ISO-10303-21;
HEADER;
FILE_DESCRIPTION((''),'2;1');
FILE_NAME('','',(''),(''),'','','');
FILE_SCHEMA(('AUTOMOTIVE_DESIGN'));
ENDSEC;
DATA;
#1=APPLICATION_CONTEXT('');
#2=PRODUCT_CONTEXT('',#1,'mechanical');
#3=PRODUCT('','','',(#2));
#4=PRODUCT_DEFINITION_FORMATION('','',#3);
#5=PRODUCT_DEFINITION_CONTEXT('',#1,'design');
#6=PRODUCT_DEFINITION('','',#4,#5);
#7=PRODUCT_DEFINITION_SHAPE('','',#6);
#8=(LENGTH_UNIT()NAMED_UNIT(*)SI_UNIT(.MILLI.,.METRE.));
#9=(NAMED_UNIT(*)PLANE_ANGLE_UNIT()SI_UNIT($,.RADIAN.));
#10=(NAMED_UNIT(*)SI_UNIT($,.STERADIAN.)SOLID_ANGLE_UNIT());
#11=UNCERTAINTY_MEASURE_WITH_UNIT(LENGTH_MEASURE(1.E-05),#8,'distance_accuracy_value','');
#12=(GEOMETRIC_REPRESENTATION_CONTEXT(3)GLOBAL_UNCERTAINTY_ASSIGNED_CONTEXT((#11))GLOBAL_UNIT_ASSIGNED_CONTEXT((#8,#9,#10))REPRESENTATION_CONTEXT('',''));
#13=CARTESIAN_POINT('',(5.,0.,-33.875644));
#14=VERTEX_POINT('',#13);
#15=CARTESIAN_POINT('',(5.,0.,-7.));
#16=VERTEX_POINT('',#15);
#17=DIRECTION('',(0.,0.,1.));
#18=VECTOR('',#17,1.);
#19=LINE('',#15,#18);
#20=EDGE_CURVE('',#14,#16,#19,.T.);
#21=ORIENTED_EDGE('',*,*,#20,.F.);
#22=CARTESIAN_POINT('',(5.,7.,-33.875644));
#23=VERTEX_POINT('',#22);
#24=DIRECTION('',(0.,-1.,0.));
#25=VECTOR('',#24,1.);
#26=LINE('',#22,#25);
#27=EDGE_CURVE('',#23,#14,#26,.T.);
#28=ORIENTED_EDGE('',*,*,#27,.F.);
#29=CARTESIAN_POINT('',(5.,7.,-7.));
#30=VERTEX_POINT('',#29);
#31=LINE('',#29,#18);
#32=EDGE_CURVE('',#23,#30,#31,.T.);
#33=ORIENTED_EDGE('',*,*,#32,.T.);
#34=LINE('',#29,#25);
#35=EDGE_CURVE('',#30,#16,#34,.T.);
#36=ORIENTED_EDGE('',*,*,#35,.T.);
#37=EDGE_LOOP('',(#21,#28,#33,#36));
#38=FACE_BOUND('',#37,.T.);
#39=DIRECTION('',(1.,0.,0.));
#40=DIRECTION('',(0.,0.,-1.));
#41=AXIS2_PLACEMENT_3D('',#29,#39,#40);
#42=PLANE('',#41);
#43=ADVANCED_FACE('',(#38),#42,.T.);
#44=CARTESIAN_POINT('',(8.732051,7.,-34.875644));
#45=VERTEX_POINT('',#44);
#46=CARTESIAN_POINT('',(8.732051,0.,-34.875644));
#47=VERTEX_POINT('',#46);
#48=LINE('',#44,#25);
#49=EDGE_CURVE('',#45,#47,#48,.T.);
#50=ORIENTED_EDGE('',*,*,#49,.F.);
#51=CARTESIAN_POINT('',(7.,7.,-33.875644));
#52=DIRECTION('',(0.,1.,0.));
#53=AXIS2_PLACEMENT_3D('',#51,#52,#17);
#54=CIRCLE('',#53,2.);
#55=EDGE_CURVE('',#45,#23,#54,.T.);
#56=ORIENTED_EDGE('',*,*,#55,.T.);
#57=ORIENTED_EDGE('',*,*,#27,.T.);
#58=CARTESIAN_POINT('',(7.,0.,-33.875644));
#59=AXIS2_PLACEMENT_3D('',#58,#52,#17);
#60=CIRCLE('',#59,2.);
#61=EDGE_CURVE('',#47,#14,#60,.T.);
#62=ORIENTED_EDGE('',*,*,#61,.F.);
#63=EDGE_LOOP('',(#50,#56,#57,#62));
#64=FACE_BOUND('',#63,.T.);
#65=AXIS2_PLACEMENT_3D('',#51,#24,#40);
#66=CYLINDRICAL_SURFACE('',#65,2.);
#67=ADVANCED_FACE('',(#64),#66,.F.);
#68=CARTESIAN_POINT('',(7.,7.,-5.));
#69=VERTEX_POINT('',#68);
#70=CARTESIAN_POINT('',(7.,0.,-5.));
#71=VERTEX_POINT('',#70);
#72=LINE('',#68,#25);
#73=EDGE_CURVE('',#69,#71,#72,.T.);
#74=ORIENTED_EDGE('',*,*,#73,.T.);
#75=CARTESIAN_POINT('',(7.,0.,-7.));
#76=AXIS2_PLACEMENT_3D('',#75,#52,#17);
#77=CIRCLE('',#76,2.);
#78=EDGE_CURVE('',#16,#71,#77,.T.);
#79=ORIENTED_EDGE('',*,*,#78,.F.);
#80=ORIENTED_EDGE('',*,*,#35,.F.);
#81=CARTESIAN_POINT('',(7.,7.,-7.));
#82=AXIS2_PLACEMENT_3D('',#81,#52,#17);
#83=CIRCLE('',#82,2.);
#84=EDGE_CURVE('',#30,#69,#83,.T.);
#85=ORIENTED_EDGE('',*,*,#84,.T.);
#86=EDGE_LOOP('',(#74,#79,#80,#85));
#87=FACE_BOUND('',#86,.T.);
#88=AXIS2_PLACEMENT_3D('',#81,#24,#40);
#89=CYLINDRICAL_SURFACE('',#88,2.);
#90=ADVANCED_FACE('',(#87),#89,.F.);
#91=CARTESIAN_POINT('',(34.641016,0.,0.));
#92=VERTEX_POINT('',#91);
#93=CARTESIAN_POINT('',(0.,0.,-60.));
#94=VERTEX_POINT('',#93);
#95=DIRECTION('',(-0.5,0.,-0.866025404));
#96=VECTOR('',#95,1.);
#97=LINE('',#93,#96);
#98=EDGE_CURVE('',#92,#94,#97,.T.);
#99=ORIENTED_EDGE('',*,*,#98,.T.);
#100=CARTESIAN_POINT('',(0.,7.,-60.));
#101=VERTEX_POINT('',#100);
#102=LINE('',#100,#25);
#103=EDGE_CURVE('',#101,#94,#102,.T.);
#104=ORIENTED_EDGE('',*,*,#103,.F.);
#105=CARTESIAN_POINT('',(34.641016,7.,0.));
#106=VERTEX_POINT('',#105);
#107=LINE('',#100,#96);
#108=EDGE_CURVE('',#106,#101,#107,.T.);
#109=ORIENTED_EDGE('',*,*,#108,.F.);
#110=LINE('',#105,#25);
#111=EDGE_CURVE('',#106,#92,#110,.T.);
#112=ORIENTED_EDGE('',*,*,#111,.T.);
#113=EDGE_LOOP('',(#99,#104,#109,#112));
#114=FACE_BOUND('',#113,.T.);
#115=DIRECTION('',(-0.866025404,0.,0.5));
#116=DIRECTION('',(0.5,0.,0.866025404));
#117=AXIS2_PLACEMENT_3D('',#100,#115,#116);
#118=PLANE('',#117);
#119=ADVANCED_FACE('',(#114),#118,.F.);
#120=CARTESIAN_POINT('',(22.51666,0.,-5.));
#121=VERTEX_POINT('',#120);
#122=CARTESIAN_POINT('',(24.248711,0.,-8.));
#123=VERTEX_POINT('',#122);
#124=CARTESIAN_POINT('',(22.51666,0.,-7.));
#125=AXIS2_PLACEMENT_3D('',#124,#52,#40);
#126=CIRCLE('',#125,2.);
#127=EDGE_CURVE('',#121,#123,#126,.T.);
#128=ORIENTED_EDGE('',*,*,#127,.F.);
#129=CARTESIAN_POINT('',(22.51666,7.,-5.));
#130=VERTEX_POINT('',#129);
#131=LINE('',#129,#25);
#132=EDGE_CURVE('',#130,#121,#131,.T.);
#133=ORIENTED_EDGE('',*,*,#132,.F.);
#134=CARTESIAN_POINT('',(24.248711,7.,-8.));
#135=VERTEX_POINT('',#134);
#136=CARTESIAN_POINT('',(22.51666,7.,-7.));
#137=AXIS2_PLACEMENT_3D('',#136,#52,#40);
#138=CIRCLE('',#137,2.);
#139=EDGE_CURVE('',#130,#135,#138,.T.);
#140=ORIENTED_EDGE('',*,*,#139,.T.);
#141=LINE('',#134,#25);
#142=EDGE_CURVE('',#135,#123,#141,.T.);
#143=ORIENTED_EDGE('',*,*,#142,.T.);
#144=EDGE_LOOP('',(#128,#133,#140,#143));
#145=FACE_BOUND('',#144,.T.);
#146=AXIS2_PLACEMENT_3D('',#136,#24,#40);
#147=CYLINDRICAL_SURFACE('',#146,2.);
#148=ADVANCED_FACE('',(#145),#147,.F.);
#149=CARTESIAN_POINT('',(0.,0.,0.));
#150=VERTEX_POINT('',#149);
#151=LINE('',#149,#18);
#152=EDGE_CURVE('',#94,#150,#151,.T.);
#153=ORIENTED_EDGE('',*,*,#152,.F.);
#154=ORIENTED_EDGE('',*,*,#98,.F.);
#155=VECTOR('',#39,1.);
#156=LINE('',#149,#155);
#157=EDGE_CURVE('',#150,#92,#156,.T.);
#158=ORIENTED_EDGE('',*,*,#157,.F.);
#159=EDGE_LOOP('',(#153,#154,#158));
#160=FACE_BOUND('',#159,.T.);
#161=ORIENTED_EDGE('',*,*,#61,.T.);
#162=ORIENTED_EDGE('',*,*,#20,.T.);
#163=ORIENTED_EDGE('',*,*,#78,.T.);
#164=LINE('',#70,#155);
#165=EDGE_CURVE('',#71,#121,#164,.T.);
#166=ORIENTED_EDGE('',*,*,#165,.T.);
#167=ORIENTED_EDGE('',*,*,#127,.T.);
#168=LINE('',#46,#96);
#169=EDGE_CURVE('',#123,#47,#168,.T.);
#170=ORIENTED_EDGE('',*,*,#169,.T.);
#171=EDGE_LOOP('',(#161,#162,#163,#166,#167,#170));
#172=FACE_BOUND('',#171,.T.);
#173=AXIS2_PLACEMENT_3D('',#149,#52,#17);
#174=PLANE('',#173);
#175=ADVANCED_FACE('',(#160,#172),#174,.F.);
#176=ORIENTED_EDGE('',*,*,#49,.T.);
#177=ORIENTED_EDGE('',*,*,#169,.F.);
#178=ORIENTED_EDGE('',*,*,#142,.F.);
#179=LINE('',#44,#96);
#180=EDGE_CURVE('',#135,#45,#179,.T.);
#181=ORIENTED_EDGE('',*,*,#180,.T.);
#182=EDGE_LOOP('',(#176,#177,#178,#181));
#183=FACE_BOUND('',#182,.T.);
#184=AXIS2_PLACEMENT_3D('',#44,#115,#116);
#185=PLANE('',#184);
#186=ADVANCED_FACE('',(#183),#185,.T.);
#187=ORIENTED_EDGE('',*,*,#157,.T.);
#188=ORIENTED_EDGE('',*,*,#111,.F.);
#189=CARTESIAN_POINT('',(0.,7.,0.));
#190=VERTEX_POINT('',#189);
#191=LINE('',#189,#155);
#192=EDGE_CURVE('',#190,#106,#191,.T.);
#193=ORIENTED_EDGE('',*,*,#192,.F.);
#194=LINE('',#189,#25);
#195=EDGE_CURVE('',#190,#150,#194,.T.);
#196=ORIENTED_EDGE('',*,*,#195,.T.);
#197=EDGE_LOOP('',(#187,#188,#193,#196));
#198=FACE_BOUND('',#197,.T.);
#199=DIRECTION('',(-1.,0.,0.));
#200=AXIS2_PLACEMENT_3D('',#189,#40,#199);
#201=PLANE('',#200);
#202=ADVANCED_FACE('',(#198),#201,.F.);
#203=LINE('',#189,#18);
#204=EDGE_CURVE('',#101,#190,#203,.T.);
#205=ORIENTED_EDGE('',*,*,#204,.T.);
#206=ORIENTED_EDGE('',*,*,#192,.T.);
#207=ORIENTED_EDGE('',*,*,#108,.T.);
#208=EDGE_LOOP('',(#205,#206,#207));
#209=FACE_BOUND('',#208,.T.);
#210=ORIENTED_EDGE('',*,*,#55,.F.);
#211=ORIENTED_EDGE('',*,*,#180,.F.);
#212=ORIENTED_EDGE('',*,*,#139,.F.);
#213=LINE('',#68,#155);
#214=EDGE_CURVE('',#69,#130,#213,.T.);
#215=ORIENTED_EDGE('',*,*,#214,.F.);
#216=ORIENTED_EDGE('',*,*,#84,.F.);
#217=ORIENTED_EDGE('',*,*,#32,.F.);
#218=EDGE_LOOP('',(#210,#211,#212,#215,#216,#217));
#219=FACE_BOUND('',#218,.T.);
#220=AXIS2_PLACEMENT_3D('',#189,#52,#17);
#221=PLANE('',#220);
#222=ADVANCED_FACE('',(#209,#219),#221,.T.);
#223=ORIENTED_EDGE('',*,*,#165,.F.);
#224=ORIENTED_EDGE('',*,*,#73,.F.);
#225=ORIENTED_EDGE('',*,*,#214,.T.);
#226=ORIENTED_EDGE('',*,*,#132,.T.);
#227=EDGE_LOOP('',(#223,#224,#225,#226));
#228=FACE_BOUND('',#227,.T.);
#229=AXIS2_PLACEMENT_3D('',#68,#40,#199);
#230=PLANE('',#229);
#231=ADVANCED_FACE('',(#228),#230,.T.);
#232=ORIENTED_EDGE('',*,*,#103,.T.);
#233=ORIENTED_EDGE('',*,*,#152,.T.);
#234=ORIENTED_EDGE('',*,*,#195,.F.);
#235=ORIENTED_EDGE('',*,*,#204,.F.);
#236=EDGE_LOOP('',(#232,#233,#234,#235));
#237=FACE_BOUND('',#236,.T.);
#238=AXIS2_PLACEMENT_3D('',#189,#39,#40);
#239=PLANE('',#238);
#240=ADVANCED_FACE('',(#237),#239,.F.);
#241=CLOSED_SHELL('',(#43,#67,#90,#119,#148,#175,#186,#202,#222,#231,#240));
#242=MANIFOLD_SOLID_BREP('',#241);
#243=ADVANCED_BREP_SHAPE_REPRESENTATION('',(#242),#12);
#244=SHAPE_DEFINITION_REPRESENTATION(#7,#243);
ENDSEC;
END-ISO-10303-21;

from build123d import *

# Parameters (mm, degrees)
BOSS_EXTRUDE1_DEPTH = 7


with BuildPart() as part:
    # Sketch1 → Boss-Extrude1 (new body)
    with BuildSketch(Plane(origin=(0, 0, 0), x_dir=(1, 0, 0), z_dir=(0, 1, 0))):
        Polygon((0, 0), (0, 60), (34.641016151, 0), align=None)
        with BuildLine():
            Line((5, 7), (5, 33.875644347))
            ThreePointArc((5, 33.875644347), (6.48236191, 35.807496), (8.732050808, 34.875644347))
            Line((8.732050808, 34.875644347), (24.248711306, 8))
            ThreePointArc((24.248711306, 8), (24.248711306, 6), (22.516660498, 5))
            Line((22.516660498, 5), (7, 5))
            ThreePointArc((7, 5), (5.585786438, 5.585786438), (5, 7))
        make_face(mode=Mode.SUBTRACT)
    extrude(amount=BOSS_EXTRUDE1_DEPTH)


solid = part.part
